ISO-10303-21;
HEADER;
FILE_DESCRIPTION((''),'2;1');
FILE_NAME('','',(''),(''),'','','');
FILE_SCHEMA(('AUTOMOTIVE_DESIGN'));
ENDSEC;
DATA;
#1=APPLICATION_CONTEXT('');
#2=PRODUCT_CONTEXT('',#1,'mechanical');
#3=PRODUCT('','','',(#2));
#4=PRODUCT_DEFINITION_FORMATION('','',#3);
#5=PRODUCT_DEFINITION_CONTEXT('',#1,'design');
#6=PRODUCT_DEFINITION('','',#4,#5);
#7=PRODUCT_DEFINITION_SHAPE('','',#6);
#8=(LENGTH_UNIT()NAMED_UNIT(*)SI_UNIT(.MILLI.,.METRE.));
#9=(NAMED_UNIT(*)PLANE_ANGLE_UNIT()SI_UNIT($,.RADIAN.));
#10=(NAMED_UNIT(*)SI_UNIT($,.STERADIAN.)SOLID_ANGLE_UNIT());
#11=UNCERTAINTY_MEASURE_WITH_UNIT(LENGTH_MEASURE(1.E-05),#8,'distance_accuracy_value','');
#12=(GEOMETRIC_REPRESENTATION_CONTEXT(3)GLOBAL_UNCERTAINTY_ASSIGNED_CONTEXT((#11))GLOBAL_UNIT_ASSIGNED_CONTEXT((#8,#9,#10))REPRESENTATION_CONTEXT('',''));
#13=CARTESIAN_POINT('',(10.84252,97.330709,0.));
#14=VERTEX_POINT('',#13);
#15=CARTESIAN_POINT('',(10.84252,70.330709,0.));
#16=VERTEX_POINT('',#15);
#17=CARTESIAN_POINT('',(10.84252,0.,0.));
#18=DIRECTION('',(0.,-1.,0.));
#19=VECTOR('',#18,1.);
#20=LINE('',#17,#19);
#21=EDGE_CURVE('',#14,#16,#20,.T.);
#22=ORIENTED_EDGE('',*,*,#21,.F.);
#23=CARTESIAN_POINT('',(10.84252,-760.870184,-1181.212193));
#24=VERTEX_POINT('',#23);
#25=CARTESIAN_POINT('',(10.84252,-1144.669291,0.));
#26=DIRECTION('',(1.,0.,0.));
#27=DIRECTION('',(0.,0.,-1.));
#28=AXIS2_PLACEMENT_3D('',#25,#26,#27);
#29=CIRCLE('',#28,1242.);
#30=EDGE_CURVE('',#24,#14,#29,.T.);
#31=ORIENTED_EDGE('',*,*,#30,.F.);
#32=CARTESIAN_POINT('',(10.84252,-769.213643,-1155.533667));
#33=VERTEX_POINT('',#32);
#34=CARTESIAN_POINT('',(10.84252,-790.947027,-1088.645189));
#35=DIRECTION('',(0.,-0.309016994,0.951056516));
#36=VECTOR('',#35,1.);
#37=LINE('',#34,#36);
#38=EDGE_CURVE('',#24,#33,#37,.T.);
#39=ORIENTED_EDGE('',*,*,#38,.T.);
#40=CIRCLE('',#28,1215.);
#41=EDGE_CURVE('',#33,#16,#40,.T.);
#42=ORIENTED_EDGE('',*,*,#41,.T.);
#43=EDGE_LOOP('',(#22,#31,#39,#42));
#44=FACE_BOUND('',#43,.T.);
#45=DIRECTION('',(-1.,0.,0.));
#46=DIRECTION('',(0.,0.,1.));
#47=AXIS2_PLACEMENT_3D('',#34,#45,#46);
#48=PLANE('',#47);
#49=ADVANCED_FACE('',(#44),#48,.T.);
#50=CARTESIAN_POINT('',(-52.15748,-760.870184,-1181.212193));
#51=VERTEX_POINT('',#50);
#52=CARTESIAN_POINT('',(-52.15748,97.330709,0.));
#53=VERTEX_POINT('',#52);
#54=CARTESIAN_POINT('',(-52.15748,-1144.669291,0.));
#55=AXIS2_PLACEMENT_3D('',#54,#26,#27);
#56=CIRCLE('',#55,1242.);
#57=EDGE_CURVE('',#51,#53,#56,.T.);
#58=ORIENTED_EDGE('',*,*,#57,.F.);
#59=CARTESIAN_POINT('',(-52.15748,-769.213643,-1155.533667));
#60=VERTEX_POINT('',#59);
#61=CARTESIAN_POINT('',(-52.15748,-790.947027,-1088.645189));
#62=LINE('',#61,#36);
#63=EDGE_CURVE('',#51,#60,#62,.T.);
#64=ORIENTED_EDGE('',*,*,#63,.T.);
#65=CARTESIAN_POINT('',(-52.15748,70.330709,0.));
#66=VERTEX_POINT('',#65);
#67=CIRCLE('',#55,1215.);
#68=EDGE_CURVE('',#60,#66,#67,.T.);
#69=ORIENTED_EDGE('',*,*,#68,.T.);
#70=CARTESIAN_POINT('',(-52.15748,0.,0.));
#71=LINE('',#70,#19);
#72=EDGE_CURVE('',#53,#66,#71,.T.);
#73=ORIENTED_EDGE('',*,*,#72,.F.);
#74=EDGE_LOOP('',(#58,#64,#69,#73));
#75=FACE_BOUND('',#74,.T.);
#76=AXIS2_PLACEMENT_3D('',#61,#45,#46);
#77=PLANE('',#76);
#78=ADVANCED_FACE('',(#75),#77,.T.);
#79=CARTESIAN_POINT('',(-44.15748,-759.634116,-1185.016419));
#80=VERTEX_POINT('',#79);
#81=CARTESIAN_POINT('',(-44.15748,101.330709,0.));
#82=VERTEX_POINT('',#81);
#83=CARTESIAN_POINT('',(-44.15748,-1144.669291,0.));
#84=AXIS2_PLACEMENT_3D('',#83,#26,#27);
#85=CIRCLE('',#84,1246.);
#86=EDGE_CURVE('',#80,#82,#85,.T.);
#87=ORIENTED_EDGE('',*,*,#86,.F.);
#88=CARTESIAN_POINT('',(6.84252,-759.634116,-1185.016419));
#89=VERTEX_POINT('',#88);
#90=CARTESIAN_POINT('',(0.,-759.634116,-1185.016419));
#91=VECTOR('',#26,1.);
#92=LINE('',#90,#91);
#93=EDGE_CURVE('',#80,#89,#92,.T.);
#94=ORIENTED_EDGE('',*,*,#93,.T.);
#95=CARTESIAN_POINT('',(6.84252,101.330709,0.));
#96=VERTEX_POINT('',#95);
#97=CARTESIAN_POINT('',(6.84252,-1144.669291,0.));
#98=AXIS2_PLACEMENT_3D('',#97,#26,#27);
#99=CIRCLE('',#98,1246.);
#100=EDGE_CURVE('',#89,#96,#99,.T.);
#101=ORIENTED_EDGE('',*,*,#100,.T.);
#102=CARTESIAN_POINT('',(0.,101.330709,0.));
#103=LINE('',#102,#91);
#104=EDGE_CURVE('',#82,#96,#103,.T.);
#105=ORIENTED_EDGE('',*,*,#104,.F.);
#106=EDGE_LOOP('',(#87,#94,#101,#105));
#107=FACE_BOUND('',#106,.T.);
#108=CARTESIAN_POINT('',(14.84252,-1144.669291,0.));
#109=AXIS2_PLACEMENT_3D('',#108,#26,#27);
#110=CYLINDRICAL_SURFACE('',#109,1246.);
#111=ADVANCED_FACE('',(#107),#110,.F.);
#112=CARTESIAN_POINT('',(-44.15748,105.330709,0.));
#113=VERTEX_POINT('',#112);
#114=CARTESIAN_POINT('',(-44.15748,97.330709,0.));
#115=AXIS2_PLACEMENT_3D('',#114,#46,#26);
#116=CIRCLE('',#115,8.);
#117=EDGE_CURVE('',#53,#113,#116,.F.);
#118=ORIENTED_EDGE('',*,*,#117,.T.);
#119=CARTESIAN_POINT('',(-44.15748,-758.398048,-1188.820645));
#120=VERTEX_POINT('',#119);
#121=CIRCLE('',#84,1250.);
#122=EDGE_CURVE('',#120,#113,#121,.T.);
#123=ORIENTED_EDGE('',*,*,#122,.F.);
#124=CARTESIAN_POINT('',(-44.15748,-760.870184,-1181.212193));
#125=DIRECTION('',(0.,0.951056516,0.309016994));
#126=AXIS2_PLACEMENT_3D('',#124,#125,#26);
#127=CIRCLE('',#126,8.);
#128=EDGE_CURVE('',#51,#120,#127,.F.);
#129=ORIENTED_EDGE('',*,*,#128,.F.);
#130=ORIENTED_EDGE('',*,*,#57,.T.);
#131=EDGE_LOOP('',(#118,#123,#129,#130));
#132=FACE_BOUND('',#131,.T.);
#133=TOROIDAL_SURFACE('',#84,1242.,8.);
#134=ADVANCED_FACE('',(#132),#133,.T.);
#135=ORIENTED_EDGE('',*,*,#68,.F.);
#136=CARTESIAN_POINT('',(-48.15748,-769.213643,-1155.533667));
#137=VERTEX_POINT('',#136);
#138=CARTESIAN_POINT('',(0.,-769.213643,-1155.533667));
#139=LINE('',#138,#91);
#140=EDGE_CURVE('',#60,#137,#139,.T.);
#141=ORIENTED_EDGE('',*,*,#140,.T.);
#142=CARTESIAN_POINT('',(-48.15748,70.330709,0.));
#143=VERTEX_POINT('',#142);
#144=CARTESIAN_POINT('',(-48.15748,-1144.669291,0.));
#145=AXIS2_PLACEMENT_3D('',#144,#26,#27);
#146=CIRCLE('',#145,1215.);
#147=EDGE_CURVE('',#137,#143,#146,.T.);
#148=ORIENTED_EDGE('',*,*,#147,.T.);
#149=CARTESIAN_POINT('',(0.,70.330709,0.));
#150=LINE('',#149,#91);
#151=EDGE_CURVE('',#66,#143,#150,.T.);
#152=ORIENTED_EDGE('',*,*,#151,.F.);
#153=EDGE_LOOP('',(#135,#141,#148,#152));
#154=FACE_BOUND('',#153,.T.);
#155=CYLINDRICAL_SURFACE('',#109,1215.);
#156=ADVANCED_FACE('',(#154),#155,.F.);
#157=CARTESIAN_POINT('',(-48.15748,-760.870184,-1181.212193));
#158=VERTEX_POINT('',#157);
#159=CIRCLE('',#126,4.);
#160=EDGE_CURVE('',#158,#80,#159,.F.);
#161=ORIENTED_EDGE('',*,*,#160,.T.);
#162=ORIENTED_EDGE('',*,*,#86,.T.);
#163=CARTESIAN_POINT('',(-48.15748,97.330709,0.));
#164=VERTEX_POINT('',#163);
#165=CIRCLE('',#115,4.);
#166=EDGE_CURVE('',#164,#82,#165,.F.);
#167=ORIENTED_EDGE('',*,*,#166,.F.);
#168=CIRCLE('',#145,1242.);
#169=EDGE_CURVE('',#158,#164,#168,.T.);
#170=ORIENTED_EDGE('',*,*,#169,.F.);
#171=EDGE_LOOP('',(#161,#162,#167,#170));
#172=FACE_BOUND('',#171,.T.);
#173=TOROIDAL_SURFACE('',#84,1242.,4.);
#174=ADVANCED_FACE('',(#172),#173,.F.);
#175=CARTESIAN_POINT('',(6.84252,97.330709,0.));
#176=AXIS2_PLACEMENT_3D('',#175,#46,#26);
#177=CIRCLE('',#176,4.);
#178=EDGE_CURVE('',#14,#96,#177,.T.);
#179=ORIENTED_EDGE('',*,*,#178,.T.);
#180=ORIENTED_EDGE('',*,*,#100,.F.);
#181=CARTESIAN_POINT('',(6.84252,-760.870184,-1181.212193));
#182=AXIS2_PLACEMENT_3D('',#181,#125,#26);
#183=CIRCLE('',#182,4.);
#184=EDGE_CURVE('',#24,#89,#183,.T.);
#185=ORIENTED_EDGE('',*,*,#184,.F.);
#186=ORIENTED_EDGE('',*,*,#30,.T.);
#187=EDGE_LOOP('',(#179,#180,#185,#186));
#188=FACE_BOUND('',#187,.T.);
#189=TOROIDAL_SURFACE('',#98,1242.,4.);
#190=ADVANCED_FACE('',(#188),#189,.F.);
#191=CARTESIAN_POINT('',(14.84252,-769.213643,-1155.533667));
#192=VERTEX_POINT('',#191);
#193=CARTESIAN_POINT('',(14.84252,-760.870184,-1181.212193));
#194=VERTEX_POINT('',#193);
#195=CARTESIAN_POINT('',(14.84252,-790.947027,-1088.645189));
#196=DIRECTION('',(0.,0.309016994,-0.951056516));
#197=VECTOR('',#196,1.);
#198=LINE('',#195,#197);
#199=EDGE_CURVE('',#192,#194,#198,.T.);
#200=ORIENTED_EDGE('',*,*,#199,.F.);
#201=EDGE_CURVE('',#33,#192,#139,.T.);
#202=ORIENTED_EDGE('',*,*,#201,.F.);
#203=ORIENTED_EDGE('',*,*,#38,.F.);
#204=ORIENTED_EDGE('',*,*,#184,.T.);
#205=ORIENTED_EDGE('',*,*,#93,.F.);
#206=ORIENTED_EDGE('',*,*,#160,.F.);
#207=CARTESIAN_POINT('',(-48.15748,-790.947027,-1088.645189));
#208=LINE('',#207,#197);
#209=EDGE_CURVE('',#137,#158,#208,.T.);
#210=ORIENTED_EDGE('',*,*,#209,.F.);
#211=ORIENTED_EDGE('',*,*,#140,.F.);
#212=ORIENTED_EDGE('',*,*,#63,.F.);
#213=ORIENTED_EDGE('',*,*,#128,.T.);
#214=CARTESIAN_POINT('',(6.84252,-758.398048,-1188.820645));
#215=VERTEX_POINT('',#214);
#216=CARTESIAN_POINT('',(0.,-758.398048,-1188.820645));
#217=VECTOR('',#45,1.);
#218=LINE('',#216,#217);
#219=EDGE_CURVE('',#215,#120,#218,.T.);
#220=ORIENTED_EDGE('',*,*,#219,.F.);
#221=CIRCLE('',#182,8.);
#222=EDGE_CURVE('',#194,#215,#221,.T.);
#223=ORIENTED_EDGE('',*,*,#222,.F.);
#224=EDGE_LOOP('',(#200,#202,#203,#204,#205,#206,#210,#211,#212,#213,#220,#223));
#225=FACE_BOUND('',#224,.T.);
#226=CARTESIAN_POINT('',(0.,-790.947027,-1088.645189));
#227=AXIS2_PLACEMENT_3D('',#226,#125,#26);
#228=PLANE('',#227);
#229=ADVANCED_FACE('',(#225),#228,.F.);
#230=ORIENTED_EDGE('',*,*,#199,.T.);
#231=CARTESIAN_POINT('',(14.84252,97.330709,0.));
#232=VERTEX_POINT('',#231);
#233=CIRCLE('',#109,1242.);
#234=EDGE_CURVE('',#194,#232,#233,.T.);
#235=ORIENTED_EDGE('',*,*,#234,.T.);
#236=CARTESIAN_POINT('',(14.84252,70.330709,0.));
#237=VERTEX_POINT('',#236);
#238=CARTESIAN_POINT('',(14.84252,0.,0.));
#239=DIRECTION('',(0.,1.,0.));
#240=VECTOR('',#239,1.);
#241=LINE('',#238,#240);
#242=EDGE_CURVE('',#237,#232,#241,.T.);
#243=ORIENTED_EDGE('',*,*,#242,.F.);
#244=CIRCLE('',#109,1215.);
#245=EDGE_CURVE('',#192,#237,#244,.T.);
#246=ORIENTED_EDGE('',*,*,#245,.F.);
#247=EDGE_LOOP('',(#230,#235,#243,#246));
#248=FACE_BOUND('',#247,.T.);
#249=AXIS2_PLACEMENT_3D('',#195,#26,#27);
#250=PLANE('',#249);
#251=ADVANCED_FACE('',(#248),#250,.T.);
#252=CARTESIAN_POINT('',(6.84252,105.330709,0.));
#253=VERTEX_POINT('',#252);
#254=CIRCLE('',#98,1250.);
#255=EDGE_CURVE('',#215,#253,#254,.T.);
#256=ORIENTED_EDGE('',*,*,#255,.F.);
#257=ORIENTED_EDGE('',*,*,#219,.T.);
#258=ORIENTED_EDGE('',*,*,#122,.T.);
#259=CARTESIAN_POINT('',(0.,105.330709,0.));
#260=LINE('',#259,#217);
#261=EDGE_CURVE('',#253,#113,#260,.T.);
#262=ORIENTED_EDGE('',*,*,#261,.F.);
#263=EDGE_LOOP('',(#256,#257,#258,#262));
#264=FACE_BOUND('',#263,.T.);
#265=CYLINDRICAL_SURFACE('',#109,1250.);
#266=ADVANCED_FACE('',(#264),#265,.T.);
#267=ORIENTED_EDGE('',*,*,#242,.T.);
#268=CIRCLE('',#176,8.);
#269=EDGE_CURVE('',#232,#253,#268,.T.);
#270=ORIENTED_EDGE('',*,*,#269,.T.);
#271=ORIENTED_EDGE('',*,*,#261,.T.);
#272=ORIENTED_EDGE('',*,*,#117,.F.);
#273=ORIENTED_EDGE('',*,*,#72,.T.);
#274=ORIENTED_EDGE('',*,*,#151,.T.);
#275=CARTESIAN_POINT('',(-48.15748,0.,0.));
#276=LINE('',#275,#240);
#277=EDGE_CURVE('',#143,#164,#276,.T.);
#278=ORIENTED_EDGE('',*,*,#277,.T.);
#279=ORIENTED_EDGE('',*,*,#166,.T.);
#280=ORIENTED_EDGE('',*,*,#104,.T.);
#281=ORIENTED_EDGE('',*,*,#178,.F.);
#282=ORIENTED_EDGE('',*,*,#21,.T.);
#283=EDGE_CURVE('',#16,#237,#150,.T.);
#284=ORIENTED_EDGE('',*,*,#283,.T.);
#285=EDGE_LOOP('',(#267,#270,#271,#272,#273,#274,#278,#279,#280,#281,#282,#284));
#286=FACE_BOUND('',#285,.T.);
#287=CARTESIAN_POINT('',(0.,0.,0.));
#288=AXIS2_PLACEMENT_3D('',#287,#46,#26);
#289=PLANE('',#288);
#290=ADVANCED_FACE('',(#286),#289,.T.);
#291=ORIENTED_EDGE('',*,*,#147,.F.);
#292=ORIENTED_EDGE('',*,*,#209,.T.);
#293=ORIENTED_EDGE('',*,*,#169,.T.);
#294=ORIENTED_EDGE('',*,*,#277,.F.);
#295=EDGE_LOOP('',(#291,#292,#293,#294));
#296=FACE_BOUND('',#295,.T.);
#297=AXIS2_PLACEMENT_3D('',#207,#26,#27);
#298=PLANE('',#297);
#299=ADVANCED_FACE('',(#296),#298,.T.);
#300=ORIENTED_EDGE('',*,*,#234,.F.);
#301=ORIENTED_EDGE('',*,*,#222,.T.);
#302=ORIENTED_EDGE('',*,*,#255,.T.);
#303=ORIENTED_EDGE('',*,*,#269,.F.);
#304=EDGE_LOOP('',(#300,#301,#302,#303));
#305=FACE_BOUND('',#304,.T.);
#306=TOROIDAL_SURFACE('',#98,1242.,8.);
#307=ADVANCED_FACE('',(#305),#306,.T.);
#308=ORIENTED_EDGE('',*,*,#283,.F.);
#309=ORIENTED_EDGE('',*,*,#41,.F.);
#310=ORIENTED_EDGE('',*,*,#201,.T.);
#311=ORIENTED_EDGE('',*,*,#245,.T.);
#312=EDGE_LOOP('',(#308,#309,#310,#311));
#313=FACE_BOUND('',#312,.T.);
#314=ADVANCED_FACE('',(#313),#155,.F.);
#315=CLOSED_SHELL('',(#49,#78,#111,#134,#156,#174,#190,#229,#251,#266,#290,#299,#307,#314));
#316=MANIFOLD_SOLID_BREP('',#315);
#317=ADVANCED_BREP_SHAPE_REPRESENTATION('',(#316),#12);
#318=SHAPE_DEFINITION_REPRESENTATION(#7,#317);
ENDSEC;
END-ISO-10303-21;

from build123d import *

# Parameters (mm, degrees)
REVOLVE1_ANGLE = 72


with BuildPart() as part:
    # Sketch1 → Revolve1 (revolve)
    with BuildSketch(Plane.XY):
        with BuildLine():
            ThreePointArc((-52.157480315, 97.330708661), (-49.814334564, 102.987562911), (-44.157480315, 105.330708661))
            Line((-44.157480315, 105.330708661), (6.842519685, 105.330708661))
            ThreePointArc((6.842519685, 105.330708661), (12.499373935, 102.987562911), (14.842519685, 97.330708661))
            Line((14.842519685, 97.330708661), (14.842519685, 70.330708661))
            Line((14.842519685, 70.330708661), (10.842519685, 70.330708661))
            Line((10.842519685, 70.330708661), (10.842519685, 97.330708661))
            ThreePointArc((10.842519685, 97.330708661), (9.67094681, 100.159135786), (6.842519685, 101.330708661))
            Line((6.842519685, 101.330708661), (-44.157480315, 101.330708661))
            ThreePointArc((-44.157480315, 101.330708661), (-46.98590744, 100.159135786), (-48.157480315, 97.330708661))
            Line((-48.157480315, 97.330708661), (-48.157480315, 70.330708661))
            Line((-48.157480315, 70.330708661), (-52.157480315, 70.330708661))
            Line((-52.157480315, 70.330708661), (-52.157480315, 97.330708661))
        make_face()
    revolve(axis=Axis((14.842519685, -1144.669291339, 0), (-1, 0, 0)), revolution_arc=REVOLVE1_ANGLE)


solid = part.part
